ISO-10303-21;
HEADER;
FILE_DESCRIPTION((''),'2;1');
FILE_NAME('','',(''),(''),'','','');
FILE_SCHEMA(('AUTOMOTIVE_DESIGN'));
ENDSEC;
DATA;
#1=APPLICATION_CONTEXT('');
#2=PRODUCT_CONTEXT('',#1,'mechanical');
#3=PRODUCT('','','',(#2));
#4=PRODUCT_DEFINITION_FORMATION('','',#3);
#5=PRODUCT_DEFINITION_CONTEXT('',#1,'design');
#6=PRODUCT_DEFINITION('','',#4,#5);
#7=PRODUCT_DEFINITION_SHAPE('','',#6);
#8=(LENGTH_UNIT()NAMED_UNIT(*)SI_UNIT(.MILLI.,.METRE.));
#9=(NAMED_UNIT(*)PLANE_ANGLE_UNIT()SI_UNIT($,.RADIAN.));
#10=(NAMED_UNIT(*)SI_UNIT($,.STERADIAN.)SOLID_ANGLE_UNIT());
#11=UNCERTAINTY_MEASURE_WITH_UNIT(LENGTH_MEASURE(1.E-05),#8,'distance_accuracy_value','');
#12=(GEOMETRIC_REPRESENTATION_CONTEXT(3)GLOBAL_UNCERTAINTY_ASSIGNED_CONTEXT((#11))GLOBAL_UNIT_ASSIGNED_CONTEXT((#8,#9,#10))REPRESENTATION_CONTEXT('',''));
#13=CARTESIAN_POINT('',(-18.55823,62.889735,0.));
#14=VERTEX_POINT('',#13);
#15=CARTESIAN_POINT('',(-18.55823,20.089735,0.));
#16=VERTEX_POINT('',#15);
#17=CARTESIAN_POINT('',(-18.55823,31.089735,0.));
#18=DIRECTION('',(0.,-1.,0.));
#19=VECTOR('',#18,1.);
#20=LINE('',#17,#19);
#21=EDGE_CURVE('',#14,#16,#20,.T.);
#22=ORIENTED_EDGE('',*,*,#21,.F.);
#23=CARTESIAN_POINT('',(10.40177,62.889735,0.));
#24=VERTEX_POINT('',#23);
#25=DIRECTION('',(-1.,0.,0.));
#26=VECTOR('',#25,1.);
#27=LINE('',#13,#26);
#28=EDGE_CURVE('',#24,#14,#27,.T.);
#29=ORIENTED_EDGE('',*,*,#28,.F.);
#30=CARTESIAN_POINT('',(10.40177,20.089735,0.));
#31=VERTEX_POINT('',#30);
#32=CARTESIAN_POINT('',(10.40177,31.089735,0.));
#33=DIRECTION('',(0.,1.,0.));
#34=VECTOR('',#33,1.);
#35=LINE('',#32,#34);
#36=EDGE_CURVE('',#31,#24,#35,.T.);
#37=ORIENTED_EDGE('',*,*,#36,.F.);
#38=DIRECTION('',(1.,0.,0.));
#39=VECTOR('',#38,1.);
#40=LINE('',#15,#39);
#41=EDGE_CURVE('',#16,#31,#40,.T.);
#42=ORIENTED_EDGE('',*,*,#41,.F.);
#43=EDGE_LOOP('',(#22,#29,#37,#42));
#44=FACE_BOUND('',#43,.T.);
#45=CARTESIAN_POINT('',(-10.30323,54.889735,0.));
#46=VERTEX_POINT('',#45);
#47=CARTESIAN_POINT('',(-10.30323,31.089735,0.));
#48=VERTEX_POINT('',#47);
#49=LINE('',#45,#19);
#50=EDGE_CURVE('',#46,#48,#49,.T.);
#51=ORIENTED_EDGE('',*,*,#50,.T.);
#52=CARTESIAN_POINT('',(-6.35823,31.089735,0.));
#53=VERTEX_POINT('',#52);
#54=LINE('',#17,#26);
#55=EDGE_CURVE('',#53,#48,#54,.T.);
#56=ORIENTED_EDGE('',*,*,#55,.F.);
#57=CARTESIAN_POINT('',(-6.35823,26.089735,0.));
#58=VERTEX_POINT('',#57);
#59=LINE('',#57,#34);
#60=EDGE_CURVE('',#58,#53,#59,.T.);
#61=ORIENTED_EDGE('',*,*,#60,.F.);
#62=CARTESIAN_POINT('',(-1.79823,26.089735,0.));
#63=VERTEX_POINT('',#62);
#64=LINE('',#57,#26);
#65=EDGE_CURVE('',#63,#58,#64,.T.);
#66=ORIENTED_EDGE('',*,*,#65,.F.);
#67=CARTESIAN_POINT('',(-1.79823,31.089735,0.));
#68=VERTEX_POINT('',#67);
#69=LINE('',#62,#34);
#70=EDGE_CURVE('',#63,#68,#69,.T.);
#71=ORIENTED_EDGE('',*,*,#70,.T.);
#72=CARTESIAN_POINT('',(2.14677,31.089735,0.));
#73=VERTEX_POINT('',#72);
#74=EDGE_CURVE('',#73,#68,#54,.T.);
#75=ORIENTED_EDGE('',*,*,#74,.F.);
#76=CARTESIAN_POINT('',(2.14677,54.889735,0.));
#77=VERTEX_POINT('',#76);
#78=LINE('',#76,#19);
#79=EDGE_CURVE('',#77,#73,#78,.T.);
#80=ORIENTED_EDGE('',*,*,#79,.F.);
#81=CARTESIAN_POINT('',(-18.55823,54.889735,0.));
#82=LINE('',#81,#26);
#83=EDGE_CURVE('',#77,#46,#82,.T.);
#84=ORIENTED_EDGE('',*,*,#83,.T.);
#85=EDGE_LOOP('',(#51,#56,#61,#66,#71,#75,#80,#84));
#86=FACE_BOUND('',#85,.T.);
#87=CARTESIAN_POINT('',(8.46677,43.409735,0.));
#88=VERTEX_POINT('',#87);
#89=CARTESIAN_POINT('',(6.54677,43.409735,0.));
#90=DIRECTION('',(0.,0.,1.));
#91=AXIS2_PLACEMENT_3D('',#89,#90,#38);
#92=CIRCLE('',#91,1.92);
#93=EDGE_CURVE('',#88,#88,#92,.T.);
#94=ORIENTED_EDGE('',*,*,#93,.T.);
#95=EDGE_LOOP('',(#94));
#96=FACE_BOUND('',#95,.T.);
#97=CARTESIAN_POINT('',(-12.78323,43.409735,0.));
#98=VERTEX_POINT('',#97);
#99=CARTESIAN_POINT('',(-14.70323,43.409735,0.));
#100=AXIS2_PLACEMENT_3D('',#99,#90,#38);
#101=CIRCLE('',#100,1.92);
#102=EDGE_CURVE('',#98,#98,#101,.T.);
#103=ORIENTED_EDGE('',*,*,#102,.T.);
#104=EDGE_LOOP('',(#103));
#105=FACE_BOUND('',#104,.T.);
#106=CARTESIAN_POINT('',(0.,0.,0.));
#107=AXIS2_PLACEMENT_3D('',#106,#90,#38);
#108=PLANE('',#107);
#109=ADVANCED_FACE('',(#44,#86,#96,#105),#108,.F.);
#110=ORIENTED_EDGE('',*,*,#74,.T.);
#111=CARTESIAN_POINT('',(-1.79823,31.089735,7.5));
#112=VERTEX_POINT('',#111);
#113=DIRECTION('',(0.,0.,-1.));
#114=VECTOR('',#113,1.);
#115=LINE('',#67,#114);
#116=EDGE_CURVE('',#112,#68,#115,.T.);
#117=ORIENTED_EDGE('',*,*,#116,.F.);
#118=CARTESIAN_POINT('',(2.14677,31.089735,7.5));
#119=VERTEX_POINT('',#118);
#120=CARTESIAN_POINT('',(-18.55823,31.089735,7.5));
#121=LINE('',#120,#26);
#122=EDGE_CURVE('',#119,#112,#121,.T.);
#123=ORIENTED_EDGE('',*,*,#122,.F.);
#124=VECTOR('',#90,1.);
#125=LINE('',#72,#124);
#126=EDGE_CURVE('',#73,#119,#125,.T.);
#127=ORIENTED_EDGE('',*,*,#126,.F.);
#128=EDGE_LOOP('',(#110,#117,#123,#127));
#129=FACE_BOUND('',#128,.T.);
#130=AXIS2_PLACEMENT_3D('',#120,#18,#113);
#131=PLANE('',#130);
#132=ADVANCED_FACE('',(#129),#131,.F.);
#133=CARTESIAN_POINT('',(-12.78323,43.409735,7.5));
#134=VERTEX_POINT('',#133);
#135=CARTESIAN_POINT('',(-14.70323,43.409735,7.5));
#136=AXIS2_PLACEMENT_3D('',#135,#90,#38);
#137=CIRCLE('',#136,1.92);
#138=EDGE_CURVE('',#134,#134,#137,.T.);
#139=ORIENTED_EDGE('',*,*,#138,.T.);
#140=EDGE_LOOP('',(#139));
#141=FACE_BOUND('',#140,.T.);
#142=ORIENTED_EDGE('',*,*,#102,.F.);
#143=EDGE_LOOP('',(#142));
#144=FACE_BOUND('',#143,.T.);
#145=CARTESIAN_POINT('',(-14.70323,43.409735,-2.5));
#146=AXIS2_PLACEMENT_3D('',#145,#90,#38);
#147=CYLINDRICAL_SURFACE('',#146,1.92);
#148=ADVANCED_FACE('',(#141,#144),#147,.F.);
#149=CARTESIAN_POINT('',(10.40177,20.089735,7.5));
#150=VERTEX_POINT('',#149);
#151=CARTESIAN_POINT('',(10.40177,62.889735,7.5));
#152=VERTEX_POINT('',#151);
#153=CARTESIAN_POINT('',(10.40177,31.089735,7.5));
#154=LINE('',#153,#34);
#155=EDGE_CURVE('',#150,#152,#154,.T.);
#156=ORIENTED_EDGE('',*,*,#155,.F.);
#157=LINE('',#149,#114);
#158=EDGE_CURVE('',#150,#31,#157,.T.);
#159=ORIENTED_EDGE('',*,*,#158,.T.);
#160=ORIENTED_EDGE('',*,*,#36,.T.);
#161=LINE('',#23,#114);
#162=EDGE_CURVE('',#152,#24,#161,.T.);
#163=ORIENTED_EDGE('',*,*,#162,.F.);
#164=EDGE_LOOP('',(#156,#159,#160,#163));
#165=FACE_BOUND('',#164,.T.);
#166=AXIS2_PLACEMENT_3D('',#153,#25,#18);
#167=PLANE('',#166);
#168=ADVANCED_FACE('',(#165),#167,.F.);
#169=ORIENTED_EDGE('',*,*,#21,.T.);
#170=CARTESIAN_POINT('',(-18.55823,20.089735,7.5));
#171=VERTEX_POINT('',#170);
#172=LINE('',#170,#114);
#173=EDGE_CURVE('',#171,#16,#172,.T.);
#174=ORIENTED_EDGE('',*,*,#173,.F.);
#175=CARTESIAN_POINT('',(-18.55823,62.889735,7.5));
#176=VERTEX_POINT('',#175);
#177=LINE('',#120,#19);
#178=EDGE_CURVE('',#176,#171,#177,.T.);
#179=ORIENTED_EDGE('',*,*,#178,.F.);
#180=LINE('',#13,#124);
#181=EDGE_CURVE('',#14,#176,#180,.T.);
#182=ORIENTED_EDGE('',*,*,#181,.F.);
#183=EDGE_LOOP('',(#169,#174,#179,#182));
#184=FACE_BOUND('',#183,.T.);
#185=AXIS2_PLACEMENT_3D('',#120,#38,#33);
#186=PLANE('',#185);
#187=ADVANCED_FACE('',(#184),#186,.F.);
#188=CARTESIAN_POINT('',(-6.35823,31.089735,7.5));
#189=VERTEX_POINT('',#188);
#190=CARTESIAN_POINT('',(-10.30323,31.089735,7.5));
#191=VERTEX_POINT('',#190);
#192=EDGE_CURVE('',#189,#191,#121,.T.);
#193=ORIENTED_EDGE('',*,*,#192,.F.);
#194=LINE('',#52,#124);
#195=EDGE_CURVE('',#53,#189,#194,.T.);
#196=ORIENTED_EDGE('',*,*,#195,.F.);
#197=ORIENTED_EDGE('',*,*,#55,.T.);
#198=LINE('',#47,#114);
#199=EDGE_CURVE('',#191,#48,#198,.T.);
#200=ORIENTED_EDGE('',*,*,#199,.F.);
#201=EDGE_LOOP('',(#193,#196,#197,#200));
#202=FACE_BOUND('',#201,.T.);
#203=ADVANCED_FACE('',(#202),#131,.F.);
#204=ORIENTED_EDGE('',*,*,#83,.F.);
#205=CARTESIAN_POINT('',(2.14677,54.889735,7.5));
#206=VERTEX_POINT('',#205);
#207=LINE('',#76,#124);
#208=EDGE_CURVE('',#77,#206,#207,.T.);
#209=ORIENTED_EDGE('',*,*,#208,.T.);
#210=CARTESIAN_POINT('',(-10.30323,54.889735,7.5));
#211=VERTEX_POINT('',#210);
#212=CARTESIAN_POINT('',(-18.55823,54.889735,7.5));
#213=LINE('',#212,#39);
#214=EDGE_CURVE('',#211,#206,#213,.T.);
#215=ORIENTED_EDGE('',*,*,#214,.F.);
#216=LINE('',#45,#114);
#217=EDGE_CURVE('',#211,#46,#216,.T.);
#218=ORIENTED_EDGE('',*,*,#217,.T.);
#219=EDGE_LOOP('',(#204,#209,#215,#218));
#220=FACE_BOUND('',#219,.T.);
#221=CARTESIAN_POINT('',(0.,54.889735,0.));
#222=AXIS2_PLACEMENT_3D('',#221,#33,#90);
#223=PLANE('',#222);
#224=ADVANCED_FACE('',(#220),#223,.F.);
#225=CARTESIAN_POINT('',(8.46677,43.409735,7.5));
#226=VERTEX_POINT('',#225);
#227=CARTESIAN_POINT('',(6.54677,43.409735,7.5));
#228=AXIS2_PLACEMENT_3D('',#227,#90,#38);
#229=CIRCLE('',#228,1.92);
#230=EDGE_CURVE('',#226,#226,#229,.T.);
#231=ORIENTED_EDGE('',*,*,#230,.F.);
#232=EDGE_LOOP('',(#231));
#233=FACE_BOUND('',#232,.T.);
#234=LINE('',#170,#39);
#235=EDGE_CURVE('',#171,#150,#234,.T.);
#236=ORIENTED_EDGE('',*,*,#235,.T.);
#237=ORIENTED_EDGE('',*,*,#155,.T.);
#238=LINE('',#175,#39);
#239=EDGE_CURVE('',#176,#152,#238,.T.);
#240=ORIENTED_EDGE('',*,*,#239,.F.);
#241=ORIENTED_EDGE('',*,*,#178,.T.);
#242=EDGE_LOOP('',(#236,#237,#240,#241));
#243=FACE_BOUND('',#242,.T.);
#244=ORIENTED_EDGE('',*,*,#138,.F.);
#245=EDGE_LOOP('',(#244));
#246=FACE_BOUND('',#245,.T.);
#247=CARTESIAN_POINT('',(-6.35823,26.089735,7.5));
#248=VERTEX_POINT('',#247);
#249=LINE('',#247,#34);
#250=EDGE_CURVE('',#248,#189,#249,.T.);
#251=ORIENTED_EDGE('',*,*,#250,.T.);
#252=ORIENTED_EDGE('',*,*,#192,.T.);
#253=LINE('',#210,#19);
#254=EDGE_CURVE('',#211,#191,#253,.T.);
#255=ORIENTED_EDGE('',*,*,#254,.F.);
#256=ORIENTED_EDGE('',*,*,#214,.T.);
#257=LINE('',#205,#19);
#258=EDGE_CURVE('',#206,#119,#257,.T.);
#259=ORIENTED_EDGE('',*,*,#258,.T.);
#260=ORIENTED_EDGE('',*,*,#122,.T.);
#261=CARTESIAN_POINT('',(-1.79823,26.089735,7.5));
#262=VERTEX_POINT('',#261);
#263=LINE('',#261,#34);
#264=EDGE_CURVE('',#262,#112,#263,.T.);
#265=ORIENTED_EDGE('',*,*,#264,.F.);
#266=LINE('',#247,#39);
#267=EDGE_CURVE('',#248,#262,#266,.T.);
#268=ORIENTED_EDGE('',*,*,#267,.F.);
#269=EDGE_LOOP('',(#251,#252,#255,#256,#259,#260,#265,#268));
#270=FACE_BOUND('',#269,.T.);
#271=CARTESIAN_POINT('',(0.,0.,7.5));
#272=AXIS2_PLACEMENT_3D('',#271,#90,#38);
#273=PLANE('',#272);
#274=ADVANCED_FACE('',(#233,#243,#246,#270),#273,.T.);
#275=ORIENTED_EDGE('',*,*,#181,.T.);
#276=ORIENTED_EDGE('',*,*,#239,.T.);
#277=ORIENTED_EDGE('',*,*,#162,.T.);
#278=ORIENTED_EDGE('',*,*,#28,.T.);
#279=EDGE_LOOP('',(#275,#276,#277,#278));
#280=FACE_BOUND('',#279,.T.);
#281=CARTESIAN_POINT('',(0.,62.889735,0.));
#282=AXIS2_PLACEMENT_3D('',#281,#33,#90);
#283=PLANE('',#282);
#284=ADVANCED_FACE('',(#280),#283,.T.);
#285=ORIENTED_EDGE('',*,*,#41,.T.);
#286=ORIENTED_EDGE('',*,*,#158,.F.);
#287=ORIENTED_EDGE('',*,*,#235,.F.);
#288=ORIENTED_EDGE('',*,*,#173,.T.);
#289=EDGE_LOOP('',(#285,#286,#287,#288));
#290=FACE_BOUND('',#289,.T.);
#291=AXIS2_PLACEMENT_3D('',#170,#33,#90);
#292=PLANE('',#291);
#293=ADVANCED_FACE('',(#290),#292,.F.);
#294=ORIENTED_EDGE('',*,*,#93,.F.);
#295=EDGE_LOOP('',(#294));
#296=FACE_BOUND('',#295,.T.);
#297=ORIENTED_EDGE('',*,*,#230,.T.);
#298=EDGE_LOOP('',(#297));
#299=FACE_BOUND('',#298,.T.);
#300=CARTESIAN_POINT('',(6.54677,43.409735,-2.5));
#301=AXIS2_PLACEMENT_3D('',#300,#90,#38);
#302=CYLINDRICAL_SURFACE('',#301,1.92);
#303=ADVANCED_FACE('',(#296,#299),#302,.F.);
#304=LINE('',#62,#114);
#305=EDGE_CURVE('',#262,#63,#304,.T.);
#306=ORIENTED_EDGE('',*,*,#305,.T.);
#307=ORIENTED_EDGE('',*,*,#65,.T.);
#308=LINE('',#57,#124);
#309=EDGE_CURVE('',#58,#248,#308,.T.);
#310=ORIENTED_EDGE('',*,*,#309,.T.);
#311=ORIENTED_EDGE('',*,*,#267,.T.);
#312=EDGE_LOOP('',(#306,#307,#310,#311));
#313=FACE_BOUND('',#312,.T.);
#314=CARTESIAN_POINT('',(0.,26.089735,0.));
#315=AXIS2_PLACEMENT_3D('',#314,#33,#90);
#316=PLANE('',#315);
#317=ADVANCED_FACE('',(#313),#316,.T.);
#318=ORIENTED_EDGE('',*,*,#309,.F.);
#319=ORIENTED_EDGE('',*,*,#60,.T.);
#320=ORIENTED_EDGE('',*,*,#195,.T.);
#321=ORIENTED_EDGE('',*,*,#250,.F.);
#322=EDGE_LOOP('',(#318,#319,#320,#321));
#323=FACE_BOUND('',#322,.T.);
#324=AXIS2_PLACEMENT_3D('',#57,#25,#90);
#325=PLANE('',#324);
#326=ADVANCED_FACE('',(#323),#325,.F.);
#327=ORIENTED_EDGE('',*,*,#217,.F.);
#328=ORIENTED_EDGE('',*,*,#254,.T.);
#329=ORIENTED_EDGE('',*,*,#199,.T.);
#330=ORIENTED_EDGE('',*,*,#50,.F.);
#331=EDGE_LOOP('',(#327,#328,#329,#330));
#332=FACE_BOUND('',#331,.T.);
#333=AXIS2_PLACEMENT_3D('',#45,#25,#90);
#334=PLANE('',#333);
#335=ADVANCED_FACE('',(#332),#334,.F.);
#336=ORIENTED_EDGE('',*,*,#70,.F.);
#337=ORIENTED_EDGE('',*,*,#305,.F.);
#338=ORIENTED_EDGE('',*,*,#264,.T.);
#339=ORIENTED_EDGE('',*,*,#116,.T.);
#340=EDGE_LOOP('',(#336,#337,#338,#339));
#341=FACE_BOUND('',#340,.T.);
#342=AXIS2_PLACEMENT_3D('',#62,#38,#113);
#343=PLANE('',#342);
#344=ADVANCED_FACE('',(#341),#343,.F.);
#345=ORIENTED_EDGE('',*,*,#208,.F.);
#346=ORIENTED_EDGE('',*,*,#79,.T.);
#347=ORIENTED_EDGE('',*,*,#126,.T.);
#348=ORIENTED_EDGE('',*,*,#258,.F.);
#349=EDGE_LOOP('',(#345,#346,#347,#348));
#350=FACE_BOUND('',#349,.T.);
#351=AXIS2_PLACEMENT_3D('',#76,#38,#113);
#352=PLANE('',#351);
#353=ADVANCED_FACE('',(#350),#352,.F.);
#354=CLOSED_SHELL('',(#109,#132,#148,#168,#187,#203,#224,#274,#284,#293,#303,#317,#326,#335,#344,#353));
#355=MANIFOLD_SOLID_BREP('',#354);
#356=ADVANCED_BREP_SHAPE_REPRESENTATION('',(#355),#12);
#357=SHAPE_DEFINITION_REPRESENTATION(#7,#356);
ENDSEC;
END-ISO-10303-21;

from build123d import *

# Parameters (mm, degrees)
SKETCH1_W           = 28.96
SKETCH1_H           = 11
BOSS_EXTRUDE1_DEPTH = 7.5
SKETCH2_W           = 8.255
SKETCH2_H           = 7.5
BOSS_EXTRUDE2_DEPTH = 23.8
SKETCH3_W           = 28.96
SKETCH3_H           = 7.5
BOSS_EXTRUDE3_DEPTH = 8
SKETCH4_W           = 4.56
SKETCH4_H           = 7.5
CUT_EXTRUDE1_DEPTH  = 5
SKETCH5_R           = 1.92
CUT_EXTRUDE2_DEPTH  = 10


with BuildPart() as part:
    # Sketch1 → Boss-Extrude1 (new body)
    with BuildSketch(Plane.XY):
        with Locations((-4.078230088, 25.589734513)):
            Rectangle(SKETCH1_W, SKETCH1_H)
    extrude(amount=BOSS_EXTRUDE1_DEPTH)

    # Sketch2 → Boss-Extrude2 (add)
    with BuildSketch(Plane(origin=(0, 31.089734513, 0), x_dir=(1, 0, 0), z_dir=(0, 1, 0))):
        with Locations((-14.430730088, -3.75)):
            Rectangle(SKETCH2_W, SKETCH2_H)
        with Locations((6.274269912, -3.75)):
            Rectangle(SKETCH2_W, SKETCH2_H)
    extrude(amount=BOSS_EXTRUDE2_DEPTH)

    # Sketch3 → Boss-Extrude3 (add)
    with BuildSketch(Plane(origin=(0, 54.889734513, 0), x_dir=(1, 0, 0), z_dir=(0, 1, 0))):
        with Locations((-4.078230088, -3.75)):
            Rectangle(SKETCH3_W, SKETCH3_H)
    extrude(amount=BOSS_EXTRUDE3_DEPTH)

    # Sketch4 → Cut-Extrude1 (cut)
    with BuildSketch(Plane(origin=(0, 31.089734513, 0), x_dir=(1, 0, 0), z_dir=(0, 1, 0))):
        with Locations((-4.078230088, -3.75)):
            Rectangle(SKETCH4_W, SKETCH4_H)
    extrude(amount=-CUT_EXTRUDE1_DEPTH, mode=Mode.SUBTRACT)

    # Sketch5 → Cut-Extrude2 (cut)
    with BuildSketch(Plane.XY.offset(7.5)):
        with Locations((-14.703230088, 43.409734513)):
            Circle(SKETCH5_R)
        with Locations((6.546769912, 43.409734513)):
            Circle(SKETCH5_R)
    extrude(amount=-CUT_EXTRUDE2_DEPTH, mode=Mode.SUBTRACT)


solid = part.part
